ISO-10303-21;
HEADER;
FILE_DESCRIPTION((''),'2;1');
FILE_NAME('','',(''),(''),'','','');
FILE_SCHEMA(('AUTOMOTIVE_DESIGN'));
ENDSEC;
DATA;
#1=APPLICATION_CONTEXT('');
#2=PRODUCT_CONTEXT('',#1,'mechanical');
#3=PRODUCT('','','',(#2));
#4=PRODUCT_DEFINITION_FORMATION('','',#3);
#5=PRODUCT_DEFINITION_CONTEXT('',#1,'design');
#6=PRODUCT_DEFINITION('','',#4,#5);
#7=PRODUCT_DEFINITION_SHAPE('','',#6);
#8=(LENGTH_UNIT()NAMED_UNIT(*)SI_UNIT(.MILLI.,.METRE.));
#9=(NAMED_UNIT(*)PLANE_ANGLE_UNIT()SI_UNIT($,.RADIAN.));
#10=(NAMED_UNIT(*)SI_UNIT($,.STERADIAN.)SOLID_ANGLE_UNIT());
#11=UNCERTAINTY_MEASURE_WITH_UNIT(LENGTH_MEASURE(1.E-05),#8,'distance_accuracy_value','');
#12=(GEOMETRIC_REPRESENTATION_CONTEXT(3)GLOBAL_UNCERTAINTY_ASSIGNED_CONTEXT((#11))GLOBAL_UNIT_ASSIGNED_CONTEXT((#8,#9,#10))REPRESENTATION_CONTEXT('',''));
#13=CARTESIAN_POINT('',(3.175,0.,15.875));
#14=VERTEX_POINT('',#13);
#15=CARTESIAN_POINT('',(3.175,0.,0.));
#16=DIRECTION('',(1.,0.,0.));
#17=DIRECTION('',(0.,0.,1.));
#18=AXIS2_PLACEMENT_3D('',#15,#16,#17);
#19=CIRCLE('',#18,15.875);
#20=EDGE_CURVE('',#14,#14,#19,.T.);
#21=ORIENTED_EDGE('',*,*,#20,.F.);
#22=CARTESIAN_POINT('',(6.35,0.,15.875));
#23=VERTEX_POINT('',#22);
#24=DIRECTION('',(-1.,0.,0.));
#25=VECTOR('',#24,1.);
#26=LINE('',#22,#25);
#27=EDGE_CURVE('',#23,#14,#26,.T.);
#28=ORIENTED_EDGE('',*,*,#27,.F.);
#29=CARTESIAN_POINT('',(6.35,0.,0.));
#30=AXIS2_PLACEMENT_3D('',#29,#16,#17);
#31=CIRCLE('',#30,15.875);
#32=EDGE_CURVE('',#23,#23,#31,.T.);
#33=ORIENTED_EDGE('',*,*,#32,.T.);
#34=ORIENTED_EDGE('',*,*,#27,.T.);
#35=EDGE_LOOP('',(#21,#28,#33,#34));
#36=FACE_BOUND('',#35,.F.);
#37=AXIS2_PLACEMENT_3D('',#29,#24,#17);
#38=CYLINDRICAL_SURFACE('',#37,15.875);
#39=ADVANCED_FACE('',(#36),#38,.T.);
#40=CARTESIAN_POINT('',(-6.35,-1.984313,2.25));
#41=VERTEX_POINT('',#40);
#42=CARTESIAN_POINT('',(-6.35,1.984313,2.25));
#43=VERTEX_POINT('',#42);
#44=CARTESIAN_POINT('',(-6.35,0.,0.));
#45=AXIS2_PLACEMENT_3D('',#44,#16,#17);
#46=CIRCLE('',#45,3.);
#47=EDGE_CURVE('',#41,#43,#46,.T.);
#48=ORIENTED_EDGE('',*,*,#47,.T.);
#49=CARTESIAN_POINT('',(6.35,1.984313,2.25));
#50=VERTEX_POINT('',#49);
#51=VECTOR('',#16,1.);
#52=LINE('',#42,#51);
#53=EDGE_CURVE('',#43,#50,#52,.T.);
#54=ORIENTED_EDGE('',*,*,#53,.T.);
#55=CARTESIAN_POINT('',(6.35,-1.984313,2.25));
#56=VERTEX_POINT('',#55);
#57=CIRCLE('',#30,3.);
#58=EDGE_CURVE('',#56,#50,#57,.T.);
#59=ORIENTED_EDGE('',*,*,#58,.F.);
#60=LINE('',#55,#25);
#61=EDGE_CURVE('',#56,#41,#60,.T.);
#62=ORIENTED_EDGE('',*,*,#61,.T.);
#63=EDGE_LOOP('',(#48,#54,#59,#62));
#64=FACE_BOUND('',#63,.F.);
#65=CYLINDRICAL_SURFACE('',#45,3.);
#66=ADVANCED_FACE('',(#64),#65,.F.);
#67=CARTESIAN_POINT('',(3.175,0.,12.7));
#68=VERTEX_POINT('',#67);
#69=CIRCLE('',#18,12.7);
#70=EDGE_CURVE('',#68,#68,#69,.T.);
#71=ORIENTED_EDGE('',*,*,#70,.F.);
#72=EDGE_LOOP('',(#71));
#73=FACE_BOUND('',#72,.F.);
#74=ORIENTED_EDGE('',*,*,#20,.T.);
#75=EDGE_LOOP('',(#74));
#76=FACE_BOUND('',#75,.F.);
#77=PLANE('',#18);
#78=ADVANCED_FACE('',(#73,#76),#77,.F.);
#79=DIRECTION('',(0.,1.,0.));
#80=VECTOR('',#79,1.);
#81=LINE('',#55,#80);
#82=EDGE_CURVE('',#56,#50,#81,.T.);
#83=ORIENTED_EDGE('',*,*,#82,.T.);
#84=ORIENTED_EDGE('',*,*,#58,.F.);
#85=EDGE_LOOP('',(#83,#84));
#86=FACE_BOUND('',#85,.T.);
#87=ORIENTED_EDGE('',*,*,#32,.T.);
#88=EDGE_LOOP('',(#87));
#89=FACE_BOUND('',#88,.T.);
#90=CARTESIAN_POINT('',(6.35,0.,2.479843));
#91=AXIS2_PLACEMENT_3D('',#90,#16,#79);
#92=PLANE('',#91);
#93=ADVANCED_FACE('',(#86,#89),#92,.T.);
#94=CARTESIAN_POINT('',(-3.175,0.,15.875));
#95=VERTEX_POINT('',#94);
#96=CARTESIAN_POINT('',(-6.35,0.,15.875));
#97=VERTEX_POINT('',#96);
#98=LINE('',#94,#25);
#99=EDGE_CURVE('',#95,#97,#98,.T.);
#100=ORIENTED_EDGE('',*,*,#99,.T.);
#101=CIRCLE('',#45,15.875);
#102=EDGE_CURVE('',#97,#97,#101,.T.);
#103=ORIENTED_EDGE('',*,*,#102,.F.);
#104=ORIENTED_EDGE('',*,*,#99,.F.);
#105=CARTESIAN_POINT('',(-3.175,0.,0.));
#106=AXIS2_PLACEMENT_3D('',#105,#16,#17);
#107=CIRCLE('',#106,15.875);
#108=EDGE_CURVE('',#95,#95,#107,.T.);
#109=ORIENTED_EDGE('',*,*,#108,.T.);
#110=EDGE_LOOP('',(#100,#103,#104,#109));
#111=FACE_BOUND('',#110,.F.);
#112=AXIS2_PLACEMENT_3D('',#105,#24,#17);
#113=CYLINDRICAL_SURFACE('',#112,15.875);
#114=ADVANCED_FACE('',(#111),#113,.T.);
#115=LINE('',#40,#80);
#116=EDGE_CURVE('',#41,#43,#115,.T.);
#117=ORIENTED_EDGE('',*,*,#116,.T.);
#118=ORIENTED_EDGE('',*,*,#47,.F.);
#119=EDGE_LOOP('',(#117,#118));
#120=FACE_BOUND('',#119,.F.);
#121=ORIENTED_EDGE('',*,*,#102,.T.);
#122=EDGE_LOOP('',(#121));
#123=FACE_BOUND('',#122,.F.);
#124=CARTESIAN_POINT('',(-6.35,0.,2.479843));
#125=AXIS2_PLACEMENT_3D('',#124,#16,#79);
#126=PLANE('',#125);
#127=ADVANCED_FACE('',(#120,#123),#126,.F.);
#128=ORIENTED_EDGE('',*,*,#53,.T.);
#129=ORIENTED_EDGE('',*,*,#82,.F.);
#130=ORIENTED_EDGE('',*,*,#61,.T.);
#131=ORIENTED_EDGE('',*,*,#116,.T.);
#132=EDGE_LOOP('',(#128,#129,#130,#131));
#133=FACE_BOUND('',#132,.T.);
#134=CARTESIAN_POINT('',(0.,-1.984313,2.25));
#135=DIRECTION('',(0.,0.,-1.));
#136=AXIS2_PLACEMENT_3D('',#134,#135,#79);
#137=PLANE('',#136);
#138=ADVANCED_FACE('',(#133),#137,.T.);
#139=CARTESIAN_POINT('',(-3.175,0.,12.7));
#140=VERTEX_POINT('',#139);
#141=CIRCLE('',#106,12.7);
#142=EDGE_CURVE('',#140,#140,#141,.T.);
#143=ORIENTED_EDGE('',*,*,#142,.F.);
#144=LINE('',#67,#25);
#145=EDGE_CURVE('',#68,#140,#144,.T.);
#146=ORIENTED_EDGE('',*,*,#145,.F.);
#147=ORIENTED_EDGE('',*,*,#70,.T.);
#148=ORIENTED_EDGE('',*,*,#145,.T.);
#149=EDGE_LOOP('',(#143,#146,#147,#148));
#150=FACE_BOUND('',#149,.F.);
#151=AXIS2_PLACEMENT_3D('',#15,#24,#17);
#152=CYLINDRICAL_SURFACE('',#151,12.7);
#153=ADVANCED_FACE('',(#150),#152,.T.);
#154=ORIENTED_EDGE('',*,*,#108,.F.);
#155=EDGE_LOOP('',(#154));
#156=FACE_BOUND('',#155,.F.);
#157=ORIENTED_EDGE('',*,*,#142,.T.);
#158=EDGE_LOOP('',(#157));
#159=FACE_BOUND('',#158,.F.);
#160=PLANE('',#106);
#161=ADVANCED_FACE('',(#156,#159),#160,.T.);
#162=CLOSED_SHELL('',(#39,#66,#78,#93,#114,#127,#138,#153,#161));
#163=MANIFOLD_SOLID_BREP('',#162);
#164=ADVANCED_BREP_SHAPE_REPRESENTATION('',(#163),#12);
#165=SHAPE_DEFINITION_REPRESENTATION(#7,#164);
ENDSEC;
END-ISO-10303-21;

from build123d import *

# Parameters (mm, degrees)
F3_DEPTH      = 6.35
F3_DEPTH_BACK = 6.35


with BuildPart() as f1:
    # F0 (on Front) → F1 (revolve)
    with BuildSketch(Plane.XZ):
        Polygon((-6.35, 15.875), (-6.35, 3), (6.35, 3), (6.35, 15.875), (3.175, 15.875), (3.175, 12.7), (-3.175, 12.7), (-3.175, 15.875), align=None)
    revolve(axis=Axis((0, 0, 0), (1, 0, 0)))

    # F2 (on Right) → F3 (join, two sides)
    with BuildSketch(Plane.YZ) as f3_sk:
        with BuildLine():
            Line((-1.9843134833, 2.25), (1.9843134833, 2.25))
            ThreePointArc((1.9843134833, 2.25), (0, 3), (-1.9843134833, 2.25))
        make_face()
    extrude(amount=F3_DEPTH)
    extrude(f3_sk.sketch, amount=-F3_DEPTH_BACK)


solid = f1.part
